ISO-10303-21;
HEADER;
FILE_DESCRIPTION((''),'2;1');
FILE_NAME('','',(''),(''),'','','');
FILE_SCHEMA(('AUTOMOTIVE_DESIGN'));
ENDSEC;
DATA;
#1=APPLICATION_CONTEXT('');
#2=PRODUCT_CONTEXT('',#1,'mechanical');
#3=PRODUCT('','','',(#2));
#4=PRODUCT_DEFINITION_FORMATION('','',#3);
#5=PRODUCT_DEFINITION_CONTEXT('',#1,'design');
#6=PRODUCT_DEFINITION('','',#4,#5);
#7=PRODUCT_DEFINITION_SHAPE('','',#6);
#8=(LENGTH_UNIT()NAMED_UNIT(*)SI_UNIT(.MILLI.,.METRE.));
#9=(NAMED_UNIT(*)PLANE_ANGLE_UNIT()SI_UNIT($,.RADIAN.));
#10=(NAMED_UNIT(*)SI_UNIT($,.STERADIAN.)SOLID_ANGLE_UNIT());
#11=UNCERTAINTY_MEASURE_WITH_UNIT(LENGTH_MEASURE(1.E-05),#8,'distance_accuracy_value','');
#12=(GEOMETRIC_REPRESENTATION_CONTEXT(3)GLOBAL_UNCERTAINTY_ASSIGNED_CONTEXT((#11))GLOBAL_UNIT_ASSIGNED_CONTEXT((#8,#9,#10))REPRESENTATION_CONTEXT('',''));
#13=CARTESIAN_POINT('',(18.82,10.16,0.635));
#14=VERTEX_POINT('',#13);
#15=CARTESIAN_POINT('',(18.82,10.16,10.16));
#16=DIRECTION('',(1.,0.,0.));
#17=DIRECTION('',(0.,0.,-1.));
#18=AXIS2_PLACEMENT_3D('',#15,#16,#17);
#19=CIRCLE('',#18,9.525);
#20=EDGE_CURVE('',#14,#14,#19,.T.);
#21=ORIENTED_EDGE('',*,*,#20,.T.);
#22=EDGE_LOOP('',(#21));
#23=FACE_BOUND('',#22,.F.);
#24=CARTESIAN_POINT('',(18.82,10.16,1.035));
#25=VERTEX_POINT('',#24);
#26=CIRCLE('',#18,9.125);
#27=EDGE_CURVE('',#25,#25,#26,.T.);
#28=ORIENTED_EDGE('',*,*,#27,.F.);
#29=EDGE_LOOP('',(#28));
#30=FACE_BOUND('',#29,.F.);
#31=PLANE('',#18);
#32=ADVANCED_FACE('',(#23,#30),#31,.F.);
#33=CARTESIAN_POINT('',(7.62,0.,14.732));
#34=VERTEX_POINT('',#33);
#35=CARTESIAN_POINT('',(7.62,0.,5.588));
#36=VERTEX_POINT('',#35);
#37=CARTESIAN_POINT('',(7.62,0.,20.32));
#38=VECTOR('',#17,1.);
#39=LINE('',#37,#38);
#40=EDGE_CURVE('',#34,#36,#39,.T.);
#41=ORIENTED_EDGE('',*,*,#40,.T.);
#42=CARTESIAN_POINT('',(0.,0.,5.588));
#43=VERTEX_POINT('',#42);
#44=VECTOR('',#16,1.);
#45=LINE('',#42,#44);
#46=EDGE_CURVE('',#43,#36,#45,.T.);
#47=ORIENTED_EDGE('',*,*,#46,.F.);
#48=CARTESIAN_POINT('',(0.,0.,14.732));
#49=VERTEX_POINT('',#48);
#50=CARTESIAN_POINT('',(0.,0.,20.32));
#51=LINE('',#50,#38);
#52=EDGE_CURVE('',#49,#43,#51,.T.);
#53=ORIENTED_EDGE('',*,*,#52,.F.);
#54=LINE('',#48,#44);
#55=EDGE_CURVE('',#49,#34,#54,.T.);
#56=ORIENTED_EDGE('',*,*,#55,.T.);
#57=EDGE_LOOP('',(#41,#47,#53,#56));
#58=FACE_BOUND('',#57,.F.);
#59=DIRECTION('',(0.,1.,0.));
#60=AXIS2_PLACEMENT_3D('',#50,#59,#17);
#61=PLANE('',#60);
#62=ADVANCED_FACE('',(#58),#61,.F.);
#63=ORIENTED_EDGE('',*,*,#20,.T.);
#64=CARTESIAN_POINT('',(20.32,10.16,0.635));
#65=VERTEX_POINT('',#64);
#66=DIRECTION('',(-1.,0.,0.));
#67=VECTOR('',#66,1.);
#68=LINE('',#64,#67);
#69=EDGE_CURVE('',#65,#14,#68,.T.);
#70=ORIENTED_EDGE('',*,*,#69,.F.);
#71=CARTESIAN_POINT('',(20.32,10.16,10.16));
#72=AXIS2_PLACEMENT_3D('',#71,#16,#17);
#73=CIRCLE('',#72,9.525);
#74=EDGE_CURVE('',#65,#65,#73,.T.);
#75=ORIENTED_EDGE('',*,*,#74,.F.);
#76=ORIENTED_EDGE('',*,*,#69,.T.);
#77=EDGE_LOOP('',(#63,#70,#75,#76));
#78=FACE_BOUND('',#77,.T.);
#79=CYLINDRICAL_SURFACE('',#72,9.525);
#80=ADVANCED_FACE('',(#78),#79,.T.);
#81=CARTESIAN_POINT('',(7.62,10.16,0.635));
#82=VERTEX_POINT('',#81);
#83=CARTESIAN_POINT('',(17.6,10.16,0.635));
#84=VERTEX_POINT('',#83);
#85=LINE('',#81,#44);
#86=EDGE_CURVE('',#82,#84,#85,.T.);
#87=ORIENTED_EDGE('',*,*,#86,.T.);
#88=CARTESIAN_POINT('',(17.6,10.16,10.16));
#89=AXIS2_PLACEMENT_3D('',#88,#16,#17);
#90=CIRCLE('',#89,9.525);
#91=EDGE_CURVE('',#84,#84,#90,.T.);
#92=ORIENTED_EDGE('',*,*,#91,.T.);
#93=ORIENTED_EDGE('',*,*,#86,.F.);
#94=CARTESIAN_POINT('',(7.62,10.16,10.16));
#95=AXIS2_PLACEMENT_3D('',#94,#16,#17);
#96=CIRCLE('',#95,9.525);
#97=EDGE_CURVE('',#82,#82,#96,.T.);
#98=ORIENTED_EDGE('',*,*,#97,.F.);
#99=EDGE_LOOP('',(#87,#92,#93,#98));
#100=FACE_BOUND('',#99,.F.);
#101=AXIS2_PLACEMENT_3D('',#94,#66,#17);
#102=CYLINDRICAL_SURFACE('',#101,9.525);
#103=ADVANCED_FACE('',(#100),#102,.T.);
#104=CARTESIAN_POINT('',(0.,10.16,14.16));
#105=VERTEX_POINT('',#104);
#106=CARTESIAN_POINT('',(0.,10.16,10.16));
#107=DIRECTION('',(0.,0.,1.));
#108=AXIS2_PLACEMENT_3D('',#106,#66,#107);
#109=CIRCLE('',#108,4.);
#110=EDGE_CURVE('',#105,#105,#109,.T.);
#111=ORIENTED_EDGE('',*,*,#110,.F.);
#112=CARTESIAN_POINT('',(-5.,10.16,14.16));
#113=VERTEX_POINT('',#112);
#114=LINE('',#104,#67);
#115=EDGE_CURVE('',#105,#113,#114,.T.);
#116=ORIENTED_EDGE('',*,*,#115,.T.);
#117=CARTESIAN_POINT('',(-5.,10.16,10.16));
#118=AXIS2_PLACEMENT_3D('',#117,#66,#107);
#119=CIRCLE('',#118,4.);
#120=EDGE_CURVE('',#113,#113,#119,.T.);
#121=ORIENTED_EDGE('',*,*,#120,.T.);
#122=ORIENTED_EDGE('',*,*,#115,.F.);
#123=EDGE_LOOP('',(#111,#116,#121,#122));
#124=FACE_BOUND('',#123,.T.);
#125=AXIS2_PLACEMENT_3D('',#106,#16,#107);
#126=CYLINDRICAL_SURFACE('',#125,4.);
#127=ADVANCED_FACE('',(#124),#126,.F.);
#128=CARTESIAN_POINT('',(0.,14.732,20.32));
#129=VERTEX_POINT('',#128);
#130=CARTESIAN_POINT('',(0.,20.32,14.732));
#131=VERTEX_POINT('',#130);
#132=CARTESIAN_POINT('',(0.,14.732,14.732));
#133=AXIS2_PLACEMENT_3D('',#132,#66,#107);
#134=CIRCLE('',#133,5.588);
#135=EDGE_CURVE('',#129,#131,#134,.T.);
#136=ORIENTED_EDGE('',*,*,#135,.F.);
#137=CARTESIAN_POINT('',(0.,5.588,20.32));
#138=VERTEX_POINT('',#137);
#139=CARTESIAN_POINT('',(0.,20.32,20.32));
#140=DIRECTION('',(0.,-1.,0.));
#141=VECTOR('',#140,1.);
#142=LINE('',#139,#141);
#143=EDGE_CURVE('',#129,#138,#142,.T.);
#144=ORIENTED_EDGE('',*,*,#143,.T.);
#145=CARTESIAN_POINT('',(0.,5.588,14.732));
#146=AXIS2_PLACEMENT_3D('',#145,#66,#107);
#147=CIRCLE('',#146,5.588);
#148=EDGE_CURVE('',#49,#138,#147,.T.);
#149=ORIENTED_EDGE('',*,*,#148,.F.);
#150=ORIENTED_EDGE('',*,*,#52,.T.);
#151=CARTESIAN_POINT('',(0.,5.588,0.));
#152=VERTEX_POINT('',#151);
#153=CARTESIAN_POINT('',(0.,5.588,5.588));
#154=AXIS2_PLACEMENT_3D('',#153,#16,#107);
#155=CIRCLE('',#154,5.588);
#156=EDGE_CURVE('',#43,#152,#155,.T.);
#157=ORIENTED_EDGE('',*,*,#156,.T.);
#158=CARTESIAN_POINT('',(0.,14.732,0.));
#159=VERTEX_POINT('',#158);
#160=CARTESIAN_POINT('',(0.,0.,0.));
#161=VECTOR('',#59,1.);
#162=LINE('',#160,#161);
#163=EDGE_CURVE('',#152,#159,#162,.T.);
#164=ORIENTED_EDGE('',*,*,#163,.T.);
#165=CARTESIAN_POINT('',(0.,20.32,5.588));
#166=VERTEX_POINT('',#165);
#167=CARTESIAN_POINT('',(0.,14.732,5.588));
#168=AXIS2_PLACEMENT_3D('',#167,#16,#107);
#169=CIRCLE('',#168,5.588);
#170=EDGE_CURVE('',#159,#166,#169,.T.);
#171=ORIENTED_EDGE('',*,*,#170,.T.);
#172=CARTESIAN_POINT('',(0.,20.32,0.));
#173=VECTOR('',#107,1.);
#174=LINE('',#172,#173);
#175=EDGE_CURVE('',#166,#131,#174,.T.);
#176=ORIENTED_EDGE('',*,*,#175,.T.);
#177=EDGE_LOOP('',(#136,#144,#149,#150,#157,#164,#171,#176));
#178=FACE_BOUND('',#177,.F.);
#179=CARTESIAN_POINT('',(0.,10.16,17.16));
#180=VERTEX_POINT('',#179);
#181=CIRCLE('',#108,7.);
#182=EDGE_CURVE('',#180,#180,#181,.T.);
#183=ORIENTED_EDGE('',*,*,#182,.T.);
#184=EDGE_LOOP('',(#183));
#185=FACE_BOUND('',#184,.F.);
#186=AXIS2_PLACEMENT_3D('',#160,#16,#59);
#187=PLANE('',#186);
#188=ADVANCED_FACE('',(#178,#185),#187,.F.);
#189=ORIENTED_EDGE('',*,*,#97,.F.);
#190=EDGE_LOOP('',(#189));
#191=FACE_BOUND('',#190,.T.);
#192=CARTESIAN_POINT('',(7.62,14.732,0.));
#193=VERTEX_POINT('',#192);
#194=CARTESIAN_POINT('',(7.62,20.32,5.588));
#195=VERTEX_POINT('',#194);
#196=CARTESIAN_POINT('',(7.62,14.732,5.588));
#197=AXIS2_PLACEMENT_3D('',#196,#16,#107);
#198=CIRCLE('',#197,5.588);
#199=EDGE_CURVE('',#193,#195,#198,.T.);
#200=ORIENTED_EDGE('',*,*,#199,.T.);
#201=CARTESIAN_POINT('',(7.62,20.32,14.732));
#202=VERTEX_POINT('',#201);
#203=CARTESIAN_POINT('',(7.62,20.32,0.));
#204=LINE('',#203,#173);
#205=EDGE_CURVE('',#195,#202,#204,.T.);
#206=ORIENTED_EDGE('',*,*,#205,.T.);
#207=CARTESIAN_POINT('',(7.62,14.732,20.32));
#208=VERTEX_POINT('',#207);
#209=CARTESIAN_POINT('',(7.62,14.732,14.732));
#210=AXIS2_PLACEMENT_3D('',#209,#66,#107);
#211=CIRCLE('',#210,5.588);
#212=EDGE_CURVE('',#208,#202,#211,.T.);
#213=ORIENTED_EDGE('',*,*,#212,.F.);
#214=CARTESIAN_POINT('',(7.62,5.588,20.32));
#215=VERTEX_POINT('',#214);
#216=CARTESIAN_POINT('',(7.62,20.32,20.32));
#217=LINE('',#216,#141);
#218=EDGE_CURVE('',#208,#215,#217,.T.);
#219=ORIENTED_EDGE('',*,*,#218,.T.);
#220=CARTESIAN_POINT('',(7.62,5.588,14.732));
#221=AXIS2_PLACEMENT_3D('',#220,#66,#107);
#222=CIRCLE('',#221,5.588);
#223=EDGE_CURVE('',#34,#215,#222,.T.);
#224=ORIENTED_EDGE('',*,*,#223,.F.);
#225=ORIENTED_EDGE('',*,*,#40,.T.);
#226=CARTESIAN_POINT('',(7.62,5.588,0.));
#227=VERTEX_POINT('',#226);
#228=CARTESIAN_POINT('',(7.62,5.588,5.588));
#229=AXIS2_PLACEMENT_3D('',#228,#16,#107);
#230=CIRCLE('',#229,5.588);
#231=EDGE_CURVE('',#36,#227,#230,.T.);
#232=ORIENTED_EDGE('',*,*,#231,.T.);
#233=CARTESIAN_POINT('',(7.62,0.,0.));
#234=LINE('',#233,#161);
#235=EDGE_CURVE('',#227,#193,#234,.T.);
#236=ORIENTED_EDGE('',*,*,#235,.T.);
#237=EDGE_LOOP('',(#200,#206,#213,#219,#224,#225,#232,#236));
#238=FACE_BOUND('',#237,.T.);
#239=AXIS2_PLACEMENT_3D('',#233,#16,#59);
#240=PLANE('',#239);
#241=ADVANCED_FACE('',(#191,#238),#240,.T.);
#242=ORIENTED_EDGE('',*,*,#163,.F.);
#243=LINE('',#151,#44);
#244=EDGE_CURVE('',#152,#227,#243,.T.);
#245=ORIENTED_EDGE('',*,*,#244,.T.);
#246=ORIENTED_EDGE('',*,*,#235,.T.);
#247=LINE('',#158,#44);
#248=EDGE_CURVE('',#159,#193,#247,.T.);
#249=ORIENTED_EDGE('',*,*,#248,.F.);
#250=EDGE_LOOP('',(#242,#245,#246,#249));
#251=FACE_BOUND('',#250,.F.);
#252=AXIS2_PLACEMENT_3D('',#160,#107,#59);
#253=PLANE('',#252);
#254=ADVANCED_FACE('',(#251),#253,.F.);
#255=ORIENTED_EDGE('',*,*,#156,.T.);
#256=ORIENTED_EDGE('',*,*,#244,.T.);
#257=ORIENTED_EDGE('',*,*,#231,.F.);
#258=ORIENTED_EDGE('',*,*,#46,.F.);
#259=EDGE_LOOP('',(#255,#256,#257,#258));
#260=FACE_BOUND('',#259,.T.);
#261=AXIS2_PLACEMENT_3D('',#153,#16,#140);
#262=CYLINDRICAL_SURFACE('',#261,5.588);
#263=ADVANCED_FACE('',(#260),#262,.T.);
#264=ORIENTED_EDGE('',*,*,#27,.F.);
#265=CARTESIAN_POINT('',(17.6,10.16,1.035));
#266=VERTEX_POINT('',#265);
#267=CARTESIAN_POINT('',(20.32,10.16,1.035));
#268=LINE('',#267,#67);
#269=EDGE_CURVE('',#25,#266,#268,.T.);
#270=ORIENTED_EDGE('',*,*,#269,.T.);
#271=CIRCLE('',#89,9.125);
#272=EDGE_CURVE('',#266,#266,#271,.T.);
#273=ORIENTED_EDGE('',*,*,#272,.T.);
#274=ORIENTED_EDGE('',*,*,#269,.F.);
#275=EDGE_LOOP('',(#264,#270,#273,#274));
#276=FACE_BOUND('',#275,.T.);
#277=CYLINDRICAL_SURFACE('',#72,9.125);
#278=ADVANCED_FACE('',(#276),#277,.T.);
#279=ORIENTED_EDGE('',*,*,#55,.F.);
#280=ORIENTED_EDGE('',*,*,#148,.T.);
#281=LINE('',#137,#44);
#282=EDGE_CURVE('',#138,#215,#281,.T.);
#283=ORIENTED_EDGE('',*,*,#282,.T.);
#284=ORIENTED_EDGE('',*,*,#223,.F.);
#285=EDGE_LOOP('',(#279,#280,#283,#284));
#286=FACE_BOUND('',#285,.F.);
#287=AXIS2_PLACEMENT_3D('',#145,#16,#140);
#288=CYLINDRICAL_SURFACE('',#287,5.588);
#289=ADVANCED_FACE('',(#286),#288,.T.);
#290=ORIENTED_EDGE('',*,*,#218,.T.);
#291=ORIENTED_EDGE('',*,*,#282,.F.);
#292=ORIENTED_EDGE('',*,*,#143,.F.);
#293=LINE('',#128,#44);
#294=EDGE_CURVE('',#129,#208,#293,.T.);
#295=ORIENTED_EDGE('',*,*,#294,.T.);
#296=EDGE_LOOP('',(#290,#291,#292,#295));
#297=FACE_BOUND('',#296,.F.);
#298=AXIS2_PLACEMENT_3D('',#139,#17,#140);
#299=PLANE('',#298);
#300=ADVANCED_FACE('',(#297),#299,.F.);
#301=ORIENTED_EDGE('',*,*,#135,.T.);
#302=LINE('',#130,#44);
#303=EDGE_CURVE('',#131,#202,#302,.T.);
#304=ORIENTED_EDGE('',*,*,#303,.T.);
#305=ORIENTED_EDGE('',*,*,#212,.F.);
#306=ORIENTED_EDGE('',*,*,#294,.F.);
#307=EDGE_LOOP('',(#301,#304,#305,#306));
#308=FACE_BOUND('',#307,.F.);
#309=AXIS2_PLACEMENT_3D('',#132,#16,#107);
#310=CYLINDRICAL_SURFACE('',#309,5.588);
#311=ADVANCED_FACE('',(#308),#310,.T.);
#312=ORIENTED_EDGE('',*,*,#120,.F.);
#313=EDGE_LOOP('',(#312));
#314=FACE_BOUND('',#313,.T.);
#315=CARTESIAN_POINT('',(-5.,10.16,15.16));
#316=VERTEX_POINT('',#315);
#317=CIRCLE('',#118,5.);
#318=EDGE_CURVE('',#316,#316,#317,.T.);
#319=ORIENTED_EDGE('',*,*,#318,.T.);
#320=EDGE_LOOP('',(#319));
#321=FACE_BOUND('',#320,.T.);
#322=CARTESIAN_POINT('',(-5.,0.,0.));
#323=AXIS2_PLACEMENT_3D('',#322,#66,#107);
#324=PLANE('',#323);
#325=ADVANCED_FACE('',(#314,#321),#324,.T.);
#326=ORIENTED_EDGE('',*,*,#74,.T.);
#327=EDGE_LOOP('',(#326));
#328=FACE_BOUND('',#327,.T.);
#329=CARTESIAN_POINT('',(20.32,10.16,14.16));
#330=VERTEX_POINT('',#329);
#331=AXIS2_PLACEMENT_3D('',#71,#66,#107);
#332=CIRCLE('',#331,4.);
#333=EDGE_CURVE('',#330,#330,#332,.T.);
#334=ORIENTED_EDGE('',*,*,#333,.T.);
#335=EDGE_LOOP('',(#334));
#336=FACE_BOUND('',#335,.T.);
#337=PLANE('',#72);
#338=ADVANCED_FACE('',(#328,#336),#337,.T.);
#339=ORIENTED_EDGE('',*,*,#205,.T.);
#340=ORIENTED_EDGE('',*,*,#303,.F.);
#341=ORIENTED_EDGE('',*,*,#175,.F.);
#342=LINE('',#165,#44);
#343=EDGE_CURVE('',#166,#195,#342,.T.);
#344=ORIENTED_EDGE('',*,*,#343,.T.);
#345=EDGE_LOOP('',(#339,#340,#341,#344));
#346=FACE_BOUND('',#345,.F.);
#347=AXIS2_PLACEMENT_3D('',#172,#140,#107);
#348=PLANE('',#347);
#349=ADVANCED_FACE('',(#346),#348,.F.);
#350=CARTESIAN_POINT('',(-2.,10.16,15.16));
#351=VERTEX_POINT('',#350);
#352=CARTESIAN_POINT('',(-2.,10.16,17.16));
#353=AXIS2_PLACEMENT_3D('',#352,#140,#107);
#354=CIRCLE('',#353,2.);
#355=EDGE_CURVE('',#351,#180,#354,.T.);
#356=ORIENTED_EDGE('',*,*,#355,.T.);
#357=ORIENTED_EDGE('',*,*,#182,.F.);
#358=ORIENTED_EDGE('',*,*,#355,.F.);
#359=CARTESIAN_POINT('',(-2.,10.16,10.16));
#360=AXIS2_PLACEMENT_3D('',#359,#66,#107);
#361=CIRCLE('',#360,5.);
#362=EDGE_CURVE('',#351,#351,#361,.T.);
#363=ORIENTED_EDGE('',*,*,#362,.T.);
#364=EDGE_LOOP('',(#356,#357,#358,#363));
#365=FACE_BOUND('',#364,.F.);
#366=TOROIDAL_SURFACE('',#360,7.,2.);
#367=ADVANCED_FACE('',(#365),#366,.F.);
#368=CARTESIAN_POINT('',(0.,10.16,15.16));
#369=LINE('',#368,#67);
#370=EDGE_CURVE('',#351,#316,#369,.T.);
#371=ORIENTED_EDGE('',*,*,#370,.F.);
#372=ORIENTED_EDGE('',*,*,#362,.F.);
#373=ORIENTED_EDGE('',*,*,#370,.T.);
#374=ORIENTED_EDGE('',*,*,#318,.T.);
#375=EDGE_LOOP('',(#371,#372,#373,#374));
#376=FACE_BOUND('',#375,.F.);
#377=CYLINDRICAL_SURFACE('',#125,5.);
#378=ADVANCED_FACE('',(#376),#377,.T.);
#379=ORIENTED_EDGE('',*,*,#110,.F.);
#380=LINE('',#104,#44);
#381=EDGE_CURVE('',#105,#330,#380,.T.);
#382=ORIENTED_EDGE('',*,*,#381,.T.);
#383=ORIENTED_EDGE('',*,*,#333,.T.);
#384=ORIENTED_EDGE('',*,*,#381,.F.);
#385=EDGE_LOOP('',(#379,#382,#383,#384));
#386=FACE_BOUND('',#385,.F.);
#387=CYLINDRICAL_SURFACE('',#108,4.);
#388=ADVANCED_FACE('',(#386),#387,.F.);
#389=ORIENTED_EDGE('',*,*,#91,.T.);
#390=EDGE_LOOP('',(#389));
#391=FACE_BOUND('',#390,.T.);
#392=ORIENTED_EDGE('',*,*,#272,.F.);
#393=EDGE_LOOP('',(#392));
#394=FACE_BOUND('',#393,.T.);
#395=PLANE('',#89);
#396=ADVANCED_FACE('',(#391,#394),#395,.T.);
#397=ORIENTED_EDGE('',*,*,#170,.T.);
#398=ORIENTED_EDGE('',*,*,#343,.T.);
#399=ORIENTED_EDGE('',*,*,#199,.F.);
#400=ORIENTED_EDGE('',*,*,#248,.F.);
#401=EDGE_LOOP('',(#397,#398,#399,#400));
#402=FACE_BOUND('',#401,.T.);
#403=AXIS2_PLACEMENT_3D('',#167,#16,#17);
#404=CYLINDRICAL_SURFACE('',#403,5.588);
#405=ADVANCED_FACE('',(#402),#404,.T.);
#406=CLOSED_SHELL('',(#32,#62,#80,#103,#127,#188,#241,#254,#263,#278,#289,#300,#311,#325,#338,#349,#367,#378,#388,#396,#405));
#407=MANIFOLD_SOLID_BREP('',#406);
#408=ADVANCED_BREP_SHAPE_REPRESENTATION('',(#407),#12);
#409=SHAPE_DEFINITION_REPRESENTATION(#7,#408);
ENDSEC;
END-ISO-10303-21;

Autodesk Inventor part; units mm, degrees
ref_plane "YZ Plane" through (0, 0, 0) normal (1, 0, 0) x (0, 1, 0)
ref_plane "XZ Plane" through (0, 0, 0) normal (0, 1, 0) x (-1, 0, 0)
ref_plane "XY Plane" through (0, 0, 0) normal (0, 0, 1) x (1, 0, 0)
sketch "Sketch1" plane through (0, 0, 0) normal (1, 0, 0) x (0, 1, 0)
  line L0 (0, 0) -> (20.32, 0)
  line L1 (20.32, 0) -> (20.32, 20.32)
  line L2 (20.32, 20.32) -> (0, 20.32)
  line L3 (0, 20.32) -> (0, 0)
  dimension "d0" = 20.32
  dimension "d1" = 20.32
extrude "Extrusion1" add sketch "Sketch1" along normal blind 7.62
sketch "Sketch2" plane through (7.62, 0, 0) normal (1, 0, 0) x (0, 0, -1)
  circle A0 centre (-10.16, 10.16) radius 9.525
  point P0 (0, 0)
  dimension "d4" = 19.05
extrude "Extrusion2" add sketch "Sketch2" along normal blind 12.7
fillet "Fillet1" radius 5.588 4 edges at (3.81, 20.32, 0) (3.81, 0, 0) (3.81, 0, 20.32) (3.81, 20.32, 20.32)
sketch "Sketch3" plane through (20.32, 10.16, 10.16) normal (1, 0, 0) x (0, 0, -1)
  circle A0 centre (0, 0) radius 9.525
  circle A1 centre (0, 0) radius 9.125
  point P0 (10.16, -10.16)
  dimension "d8" = 18.25
extrude "Extrusion3" cut sketch "Sketch3" against normal blind 2.72
sketch "Sketch4" plane through (20.32, 10.16, 10.16) normal (1, 0, 0) x (0, 0, -1)
  circle A0 centre (0, 0) radius 9.525
  point P0 (10.16, -10.16)
extrude "Extrusion4" add sketch "Sketch4" against normal blind 1.5
sketch "Sketch5" plane through (0, 0, 0) normal (-1, 0, 0) x (0, 0, 1)
  circle A0 centre (10.16, 10.16) radius 9.125 projected
  circle A1 centre (10.16, 10.16) radius 4
  point P0 (0, 0)
  dimension "d13" = 8
extrude "Extrusion5" cut sketch "Sketch5" against normal blind 25 contours A1
sketch "Sketch6" plane through (0, 0, 0) normal (-1, 0, 0) x (0, 0, 1)
  circle A0 centre (10.16, 10.16) radius 4 projected
  circle A1 centre (10.16, 10.16) radius 4
  circle A2 centre (10.16, 10.16) radius 5
  point P0 (0, 0)
  dimension "d16" = 10
extrude "Extrusion6" add sketch "Sketch6" along normal blind 5
fillet "Fillet2" radius 2 1 edges at (0, 10.16, 5.16)
properties part number "_3DPrint"
